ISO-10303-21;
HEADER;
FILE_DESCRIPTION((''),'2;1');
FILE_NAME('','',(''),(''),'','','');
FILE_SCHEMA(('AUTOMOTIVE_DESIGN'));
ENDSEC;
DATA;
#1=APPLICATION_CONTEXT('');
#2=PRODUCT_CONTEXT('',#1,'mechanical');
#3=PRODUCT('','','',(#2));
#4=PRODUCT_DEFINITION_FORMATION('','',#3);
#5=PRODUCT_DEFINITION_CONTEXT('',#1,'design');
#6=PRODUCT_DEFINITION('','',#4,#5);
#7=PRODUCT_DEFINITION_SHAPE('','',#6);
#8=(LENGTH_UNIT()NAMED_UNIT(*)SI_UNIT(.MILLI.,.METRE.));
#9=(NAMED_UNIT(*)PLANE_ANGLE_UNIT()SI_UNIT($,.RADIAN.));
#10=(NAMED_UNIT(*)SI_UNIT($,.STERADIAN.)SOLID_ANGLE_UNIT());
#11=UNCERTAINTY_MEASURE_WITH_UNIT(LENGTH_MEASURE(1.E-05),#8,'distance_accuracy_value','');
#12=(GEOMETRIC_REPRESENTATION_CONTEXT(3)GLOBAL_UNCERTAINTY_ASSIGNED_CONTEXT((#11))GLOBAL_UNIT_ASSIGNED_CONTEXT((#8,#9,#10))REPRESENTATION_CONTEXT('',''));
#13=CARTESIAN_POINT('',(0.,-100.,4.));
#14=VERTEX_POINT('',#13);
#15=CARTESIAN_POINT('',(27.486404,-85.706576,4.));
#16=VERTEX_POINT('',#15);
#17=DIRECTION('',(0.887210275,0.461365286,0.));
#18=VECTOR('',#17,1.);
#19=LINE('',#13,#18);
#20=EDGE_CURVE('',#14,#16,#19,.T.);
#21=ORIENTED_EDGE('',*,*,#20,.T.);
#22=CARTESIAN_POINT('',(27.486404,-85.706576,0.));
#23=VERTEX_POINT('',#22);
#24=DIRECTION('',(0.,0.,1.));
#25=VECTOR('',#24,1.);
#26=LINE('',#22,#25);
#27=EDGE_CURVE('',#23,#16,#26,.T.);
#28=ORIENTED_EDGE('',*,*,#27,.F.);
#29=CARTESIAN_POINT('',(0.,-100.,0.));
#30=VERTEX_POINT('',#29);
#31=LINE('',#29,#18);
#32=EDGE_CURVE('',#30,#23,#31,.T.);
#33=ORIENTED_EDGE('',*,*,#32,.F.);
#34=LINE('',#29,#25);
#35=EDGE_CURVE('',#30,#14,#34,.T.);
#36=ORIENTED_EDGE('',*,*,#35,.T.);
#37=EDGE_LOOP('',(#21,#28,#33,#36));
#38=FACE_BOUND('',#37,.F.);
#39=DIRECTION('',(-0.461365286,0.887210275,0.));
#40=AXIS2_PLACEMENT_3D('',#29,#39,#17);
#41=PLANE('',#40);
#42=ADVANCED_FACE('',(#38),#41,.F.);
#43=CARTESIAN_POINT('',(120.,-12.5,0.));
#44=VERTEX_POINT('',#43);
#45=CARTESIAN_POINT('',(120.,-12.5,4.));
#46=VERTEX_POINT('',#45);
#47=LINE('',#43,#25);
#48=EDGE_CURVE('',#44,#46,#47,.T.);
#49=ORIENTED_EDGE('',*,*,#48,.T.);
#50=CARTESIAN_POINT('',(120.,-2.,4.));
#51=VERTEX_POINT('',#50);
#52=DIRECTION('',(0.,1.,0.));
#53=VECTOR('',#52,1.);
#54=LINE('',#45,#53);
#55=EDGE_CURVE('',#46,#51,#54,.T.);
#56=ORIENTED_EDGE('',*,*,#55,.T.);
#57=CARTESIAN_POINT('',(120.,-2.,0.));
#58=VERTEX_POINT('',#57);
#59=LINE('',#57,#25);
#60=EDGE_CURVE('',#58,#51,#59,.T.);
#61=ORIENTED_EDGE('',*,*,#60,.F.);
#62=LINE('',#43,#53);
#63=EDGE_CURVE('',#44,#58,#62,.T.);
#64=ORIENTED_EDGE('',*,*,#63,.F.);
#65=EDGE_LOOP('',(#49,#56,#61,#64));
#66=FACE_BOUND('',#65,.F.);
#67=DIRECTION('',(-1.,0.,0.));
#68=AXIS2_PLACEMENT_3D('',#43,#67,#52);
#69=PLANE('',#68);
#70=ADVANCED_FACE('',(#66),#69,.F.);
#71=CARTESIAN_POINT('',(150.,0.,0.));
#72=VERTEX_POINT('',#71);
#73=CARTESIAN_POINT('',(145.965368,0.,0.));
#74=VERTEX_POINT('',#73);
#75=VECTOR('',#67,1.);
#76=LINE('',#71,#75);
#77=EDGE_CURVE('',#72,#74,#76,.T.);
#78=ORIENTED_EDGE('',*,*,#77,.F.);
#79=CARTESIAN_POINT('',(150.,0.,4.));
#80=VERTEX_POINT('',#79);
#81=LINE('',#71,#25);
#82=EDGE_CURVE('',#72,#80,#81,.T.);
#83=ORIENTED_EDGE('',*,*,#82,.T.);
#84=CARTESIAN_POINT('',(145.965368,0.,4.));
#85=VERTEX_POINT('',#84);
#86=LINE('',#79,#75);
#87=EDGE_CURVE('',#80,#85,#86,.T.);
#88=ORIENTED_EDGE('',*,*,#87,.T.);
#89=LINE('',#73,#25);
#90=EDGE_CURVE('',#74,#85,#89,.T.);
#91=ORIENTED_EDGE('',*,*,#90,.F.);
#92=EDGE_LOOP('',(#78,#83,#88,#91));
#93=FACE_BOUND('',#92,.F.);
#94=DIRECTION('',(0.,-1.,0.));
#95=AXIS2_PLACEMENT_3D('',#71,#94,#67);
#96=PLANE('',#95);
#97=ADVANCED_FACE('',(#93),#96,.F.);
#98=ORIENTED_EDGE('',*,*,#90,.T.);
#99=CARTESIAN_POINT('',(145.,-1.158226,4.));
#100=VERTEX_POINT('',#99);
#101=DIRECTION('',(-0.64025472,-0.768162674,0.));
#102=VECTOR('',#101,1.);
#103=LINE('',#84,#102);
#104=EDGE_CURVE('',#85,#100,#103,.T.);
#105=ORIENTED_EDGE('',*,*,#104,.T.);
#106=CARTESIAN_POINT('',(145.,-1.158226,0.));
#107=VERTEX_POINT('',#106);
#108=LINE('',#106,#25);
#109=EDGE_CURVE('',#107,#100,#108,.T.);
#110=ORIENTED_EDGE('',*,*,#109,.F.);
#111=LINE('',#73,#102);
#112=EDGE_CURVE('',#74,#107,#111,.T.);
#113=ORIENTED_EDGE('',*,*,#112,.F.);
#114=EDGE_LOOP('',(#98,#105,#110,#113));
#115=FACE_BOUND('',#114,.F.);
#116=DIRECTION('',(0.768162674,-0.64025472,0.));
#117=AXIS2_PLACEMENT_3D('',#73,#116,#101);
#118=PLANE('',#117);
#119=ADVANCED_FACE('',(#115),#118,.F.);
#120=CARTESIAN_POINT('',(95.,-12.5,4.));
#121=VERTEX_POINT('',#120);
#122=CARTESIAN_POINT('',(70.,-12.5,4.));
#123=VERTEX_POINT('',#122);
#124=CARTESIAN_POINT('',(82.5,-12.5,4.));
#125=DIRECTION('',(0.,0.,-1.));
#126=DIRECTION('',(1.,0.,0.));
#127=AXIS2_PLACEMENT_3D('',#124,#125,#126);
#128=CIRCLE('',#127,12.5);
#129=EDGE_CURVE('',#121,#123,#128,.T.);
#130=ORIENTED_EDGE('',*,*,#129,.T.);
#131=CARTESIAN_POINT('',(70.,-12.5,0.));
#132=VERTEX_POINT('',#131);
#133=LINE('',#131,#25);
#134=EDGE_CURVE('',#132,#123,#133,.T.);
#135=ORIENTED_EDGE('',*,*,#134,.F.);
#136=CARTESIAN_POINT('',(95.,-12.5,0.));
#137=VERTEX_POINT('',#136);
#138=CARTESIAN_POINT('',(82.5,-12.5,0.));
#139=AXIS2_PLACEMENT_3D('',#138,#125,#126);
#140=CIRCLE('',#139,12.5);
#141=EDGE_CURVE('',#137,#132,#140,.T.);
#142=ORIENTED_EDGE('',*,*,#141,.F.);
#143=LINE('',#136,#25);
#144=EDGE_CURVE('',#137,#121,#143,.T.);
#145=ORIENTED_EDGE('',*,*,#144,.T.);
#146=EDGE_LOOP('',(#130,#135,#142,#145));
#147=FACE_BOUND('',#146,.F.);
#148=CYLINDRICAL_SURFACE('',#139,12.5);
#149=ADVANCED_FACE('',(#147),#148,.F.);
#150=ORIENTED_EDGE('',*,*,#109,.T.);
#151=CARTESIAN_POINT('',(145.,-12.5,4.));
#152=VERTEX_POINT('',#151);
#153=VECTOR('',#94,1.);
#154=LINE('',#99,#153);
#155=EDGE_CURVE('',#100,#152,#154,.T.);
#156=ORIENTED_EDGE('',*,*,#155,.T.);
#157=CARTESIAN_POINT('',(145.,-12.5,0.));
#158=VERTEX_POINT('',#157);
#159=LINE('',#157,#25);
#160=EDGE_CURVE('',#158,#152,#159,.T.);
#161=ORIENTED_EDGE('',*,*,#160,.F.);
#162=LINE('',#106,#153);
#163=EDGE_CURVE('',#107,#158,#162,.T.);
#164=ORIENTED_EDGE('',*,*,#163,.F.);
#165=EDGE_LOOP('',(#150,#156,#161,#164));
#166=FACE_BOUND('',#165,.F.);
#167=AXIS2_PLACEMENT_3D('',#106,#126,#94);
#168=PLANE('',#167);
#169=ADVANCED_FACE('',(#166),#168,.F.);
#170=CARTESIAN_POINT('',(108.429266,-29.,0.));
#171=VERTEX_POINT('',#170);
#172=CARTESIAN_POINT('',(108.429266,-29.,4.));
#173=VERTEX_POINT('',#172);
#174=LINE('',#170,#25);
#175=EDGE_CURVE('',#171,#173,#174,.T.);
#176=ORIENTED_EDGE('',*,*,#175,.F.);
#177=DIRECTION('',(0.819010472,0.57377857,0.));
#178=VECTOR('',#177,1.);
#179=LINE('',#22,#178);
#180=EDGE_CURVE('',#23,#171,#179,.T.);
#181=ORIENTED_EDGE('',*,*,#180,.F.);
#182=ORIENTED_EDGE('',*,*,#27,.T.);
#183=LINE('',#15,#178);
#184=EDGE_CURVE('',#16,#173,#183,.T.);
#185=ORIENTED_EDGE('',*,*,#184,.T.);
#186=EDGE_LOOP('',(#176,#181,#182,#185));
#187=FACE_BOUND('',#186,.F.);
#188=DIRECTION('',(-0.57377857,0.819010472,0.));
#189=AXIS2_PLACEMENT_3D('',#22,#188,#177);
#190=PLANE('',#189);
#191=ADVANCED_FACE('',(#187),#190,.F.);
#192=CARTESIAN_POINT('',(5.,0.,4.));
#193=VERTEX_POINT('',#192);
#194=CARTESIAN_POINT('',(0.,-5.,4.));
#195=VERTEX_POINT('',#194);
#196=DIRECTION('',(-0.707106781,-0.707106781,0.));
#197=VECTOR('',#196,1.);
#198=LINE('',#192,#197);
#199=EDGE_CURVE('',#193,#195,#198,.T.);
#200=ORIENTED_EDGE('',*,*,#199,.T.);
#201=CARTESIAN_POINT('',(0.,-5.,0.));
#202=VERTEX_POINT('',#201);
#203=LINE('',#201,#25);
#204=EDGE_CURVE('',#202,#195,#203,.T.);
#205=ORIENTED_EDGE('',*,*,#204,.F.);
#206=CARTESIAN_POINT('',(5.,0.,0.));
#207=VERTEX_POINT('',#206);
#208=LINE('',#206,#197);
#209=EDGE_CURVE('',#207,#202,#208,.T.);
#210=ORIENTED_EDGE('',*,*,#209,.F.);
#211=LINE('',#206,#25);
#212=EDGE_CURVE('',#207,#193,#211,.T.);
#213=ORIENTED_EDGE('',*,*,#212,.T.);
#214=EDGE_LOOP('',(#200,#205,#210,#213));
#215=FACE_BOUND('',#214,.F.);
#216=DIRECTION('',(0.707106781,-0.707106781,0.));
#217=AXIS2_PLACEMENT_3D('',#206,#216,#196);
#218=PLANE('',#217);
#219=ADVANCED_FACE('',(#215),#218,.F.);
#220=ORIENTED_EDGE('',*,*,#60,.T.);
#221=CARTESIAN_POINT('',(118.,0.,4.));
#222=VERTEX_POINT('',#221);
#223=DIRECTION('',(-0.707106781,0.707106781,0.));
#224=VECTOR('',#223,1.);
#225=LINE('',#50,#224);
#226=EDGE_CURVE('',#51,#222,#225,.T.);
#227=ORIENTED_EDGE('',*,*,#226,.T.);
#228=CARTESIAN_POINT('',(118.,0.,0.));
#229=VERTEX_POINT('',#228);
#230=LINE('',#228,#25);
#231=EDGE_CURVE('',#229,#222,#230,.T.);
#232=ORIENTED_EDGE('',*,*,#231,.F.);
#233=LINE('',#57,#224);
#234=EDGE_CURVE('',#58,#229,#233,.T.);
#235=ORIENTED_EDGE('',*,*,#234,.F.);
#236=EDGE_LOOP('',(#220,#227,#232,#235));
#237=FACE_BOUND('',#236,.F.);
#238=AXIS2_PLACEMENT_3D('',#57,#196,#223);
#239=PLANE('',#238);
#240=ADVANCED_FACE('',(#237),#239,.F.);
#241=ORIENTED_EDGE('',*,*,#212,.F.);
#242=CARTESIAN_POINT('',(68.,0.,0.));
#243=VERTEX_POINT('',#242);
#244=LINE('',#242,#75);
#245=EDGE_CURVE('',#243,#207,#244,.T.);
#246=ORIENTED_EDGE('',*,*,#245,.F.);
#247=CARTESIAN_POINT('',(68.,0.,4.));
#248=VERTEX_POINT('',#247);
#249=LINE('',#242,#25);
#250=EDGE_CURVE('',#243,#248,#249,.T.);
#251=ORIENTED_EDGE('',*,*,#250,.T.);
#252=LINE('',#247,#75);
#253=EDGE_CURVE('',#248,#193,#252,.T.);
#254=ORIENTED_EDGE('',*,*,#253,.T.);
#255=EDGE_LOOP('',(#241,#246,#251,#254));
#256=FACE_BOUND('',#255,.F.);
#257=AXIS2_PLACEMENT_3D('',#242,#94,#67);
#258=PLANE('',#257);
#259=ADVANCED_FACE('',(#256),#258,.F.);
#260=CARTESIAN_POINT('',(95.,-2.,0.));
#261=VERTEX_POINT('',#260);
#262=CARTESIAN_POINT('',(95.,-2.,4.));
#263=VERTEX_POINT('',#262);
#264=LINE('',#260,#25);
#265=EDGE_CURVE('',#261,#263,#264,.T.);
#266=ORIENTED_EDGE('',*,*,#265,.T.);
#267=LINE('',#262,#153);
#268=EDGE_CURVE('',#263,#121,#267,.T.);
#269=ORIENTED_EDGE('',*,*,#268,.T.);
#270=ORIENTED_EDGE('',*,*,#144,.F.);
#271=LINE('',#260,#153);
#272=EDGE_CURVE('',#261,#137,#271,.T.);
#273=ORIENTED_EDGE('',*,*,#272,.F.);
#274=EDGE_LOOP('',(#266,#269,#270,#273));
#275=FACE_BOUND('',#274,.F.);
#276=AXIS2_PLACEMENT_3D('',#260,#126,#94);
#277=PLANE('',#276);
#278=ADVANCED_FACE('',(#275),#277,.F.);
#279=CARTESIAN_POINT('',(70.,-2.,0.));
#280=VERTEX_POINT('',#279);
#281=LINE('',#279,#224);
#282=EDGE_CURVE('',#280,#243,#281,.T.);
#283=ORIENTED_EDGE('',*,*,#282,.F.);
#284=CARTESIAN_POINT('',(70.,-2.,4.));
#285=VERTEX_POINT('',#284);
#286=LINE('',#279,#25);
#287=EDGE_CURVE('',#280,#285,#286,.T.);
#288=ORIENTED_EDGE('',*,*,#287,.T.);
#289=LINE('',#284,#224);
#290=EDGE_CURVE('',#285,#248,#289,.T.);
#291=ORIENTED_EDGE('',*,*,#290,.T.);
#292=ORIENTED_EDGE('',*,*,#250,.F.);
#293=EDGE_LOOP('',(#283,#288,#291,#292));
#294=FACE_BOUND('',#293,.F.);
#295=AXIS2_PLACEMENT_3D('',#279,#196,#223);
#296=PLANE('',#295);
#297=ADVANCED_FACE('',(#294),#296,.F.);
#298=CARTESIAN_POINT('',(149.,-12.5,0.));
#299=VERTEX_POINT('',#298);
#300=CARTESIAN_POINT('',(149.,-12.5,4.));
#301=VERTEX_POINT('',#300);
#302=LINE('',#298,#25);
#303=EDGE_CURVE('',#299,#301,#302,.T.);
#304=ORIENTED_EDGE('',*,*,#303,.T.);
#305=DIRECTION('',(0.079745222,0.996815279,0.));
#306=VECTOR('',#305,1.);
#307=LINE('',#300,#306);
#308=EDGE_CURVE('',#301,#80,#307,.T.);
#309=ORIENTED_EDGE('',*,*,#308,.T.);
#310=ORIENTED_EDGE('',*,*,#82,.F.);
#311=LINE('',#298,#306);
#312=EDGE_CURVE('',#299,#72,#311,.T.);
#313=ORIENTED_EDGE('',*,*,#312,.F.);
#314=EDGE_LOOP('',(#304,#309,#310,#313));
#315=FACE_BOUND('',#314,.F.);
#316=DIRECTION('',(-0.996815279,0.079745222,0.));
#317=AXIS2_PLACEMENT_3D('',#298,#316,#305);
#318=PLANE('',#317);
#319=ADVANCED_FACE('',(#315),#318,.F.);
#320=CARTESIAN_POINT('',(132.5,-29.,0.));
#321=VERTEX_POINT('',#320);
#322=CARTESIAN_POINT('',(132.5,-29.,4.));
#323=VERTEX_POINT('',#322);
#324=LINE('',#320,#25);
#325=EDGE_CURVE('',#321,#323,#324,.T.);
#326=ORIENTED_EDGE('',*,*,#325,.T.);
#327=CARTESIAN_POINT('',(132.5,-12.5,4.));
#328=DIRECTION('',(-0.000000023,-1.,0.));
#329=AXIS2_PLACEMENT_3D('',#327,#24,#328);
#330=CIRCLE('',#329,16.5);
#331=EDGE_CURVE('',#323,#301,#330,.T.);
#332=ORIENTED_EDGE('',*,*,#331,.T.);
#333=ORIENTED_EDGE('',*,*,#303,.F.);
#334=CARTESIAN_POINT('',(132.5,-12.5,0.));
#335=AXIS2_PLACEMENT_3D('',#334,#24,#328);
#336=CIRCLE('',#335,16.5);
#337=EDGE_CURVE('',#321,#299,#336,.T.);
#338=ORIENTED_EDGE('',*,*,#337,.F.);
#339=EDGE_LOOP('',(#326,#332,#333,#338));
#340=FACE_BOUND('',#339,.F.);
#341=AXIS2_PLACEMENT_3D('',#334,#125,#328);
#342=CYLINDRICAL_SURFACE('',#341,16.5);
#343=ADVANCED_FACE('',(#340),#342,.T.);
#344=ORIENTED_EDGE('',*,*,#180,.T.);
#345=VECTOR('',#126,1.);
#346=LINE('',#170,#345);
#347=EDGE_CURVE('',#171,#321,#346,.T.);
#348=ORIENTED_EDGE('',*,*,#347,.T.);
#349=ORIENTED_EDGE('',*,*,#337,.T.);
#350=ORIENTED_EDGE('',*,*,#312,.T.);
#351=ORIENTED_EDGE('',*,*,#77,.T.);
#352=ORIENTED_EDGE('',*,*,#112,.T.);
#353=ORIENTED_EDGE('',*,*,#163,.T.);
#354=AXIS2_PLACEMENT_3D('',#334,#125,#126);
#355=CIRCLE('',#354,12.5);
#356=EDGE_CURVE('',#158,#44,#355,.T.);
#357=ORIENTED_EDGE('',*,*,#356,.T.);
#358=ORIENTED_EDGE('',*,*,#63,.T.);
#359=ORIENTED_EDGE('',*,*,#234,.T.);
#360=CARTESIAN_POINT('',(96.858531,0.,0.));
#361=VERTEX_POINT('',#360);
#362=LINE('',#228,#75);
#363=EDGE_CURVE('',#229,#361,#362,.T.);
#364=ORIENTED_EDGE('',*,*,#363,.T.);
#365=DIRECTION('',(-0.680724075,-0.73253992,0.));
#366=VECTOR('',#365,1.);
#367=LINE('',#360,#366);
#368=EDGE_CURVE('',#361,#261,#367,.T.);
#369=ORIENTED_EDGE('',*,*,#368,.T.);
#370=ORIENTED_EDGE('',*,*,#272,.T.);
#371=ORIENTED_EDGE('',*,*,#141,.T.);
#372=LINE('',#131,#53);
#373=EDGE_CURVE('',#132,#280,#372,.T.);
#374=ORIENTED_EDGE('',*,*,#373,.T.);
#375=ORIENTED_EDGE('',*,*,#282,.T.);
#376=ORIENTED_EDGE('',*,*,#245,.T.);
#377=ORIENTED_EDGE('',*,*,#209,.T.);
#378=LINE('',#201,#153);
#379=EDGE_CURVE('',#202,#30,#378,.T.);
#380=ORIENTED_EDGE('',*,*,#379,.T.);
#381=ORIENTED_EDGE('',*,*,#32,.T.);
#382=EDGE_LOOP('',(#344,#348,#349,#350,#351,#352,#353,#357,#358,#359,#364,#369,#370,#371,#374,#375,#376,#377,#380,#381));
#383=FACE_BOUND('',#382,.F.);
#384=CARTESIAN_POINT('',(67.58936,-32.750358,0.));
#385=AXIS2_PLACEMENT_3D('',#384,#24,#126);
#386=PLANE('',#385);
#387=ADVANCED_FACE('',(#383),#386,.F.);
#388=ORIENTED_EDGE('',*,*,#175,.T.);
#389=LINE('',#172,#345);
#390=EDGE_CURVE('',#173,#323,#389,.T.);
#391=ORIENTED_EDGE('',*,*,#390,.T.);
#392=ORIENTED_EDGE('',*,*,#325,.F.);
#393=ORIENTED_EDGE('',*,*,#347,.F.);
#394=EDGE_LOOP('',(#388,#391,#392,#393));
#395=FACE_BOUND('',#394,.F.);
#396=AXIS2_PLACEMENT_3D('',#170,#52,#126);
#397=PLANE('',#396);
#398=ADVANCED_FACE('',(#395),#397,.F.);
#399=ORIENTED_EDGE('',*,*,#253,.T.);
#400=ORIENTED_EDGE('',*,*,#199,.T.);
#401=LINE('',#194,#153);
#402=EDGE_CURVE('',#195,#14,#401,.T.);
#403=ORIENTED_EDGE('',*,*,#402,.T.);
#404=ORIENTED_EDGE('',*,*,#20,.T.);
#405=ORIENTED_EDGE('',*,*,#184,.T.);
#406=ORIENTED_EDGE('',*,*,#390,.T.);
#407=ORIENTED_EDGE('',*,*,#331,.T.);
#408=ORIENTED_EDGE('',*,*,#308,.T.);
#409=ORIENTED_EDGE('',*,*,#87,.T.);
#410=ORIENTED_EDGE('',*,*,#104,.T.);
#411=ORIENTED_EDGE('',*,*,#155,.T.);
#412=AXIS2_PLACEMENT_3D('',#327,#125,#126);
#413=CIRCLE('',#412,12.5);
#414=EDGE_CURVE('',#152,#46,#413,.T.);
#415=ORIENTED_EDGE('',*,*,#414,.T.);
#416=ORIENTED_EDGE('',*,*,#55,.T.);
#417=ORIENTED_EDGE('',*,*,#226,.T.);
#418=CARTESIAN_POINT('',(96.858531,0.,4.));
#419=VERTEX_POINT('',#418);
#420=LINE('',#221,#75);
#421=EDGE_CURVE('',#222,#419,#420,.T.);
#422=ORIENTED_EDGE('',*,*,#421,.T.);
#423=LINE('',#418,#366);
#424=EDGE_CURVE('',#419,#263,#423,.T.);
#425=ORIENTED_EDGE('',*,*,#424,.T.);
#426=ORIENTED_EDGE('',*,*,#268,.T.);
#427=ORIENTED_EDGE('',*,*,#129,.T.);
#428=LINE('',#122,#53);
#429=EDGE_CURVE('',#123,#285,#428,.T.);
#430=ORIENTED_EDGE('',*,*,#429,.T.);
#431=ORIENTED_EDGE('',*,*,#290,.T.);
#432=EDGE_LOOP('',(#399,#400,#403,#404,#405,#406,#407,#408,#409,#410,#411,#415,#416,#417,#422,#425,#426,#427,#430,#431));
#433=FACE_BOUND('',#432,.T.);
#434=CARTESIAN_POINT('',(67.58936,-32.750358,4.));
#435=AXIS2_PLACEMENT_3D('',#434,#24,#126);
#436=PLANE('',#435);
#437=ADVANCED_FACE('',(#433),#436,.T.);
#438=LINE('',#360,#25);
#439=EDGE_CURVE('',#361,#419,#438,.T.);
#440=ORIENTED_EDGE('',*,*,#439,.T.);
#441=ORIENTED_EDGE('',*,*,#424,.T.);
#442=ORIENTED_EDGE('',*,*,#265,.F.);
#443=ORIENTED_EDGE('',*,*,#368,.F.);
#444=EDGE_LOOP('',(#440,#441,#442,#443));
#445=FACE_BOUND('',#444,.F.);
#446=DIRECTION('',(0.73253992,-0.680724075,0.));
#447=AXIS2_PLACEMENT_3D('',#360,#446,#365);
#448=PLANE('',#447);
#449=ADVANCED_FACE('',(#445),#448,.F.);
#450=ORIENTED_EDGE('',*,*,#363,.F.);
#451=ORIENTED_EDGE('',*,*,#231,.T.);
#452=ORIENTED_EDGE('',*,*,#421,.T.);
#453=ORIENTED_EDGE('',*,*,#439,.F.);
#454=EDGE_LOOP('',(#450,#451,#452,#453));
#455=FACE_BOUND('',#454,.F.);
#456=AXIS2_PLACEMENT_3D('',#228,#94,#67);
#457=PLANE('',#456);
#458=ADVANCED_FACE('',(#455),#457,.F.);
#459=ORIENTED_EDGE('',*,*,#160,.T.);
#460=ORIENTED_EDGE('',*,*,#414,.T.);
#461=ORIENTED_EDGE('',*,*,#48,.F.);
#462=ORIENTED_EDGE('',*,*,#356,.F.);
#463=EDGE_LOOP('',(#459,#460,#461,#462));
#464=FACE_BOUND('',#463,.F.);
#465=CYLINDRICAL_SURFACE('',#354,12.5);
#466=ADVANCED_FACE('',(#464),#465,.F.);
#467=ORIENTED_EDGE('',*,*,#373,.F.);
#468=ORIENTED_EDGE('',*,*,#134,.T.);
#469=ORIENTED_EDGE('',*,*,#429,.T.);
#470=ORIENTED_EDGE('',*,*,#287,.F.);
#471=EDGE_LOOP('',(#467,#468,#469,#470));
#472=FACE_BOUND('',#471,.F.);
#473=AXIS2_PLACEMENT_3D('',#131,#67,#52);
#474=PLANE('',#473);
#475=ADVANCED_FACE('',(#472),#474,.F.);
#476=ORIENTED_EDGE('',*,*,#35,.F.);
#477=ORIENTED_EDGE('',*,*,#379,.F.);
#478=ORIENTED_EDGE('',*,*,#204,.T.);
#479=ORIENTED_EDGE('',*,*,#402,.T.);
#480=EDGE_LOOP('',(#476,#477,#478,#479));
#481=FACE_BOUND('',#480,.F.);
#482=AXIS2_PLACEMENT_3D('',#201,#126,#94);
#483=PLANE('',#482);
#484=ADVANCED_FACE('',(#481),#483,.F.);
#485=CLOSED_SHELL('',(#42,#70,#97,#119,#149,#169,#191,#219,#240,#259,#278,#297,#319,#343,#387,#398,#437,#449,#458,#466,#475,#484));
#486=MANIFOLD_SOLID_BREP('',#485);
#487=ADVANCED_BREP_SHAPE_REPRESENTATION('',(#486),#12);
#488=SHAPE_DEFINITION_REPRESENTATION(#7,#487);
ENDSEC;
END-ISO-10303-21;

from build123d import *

# Parameters (mm, degrees)
F1_DEPTH = 4


with BuildPart() as f1:
    # F0 (on Top) → F1 (new body)
    with BuildSketch(Plane.XY):
        with BuildLine():
            Line((5, 0), (0, -5))
            Line((0, -5), (0, -100))
            Line((0, -100), (27.486404, -85.706576))
            Line((27.486404, -85.706576), (108.429266, -29))
            Line((108.429266, -29), (132.5, -29))
            ThreePointArc((132.5, -29), (144.167262, -24.167262), (149, -12.5))
            Line((149, -12.5), (150, 0))
            Line((150, 0), (145.965368, 0))
            Line((145.965368, 0), (145, -1.158226))
            Line((145, -1.158226), (145, -3.333333))
            Line((145, -3.333333), (145, -12.5))
            ThreePointArc((145, -12.5), (132.5, -25), (120, -12.5))
            Line((120, -12.5), (120, -2))
            Line((120, -2), (118, 0))
            Line((118, 0), (96.858531, 0))
            Line((96.858531, 0), (95, -2))
            Line((95, -2), (95, -12.5))
            ThreePointArc((95, -12.5), (82.5, -25), (70, -12.5))
            Line((70, -12.5), (70, -2))
            Line((70, -2), (68, 0))
            Line((68, 0), (5, 0))
        make_face()
    extrude(amount=F1_DEPTH)


solid = f1.part
